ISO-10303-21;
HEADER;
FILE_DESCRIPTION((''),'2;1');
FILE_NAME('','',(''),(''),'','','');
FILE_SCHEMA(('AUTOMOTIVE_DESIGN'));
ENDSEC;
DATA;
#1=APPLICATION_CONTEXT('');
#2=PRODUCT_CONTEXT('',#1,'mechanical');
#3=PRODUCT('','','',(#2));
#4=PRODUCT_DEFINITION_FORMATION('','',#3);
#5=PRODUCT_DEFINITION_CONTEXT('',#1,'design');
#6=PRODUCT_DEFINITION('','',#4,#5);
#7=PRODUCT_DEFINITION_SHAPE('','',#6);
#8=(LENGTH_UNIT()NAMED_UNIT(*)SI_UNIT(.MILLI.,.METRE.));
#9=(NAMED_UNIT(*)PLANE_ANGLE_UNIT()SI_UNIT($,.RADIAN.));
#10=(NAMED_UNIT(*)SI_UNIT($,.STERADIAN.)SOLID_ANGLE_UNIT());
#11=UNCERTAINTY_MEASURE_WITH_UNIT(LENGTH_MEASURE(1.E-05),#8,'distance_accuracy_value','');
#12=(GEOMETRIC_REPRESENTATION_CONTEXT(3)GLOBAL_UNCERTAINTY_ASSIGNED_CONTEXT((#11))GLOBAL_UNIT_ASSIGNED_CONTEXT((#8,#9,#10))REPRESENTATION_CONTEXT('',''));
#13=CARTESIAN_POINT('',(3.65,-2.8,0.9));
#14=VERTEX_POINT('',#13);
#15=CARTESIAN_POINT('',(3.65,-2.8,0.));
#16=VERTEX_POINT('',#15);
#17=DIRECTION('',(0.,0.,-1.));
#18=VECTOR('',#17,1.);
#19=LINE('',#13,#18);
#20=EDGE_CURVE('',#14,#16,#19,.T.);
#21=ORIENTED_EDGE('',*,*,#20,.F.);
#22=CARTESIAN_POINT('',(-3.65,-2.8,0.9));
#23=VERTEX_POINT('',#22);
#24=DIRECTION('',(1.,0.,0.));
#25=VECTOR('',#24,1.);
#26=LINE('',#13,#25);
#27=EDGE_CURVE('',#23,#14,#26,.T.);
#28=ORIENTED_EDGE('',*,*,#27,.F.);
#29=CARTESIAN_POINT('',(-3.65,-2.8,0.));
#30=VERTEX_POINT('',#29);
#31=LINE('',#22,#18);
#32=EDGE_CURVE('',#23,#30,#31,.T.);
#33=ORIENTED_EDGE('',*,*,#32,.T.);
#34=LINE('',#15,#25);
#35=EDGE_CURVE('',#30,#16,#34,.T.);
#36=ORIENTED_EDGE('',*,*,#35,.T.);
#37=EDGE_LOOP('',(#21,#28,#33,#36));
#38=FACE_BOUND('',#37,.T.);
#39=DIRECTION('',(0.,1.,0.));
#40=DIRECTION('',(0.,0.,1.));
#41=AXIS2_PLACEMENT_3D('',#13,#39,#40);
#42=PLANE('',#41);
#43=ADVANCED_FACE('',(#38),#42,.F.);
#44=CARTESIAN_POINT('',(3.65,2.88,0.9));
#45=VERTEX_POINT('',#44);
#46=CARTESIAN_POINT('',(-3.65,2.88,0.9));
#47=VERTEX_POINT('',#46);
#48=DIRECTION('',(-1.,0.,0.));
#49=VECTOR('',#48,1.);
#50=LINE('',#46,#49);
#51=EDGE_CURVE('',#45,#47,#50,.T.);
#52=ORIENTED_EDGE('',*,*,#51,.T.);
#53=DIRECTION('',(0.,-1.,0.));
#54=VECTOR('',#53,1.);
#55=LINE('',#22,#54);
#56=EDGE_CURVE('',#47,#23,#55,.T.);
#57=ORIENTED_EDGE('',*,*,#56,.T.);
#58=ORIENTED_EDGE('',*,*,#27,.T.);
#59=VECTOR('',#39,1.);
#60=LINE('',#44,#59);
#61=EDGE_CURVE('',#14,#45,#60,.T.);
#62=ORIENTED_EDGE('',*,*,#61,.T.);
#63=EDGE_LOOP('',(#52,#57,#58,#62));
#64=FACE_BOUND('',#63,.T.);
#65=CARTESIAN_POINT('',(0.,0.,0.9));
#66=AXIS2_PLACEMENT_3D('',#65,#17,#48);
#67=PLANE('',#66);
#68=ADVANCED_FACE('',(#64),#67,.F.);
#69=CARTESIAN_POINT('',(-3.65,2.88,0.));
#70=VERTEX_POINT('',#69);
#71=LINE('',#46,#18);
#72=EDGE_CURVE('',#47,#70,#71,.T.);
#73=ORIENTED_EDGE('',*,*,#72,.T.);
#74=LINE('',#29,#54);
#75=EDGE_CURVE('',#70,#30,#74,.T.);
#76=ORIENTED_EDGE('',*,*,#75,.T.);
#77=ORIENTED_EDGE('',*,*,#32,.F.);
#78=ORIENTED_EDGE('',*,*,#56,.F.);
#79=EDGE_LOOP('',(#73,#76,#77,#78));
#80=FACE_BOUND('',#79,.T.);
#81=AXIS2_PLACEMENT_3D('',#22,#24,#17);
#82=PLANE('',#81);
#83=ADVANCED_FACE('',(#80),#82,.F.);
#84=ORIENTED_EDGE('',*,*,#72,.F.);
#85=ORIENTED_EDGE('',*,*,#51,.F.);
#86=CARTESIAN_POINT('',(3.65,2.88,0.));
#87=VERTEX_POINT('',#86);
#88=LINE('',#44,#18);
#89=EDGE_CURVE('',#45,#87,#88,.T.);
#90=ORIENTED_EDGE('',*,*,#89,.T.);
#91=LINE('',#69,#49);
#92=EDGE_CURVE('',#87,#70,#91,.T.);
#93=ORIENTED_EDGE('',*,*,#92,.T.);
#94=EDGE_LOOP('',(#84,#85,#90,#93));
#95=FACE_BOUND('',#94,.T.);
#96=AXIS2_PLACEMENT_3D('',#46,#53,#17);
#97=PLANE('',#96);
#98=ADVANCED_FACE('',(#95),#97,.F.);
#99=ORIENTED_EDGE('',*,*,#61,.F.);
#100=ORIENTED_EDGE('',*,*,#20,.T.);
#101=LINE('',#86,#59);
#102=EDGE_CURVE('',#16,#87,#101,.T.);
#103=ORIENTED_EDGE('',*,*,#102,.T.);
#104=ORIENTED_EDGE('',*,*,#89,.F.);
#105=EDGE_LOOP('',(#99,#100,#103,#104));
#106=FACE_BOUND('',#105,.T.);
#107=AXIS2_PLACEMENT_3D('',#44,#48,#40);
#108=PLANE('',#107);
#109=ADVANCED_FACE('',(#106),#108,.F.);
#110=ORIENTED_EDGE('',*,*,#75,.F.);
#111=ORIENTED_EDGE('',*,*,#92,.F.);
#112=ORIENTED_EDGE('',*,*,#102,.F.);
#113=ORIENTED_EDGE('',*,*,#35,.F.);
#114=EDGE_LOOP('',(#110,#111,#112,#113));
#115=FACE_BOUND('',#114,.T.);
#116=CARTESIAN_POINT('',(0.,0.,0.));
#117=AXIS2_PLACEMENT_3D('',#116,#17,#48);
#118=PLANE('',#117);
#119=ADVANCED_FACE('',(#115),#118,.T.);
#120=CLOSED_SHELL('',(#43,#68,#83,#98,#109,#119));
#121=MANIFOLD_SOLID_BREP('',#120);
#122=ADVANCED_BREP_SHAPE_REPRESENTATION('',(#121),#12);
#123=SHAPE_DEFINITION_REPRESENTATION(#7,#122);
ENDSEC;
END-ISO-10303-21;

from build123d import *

# Parameters (mm, degrees)
SKETCH1_W               = 7.3
SKETCH1_H               = 5.68
COMPONENT_OUTLINE_DEPTH = 0.9


with BuildPart() as part:
    # Sketch1 → Component_Outline (new body)
    with BuildSketch(Plane.XY):
        with Locations((0, 0.04)):
            Rectangle(SKETCH1_W, SKETCH1_H)
    extrude(amount=COMPONENT_OUTLINE_DEPTH)


solid = part.part
